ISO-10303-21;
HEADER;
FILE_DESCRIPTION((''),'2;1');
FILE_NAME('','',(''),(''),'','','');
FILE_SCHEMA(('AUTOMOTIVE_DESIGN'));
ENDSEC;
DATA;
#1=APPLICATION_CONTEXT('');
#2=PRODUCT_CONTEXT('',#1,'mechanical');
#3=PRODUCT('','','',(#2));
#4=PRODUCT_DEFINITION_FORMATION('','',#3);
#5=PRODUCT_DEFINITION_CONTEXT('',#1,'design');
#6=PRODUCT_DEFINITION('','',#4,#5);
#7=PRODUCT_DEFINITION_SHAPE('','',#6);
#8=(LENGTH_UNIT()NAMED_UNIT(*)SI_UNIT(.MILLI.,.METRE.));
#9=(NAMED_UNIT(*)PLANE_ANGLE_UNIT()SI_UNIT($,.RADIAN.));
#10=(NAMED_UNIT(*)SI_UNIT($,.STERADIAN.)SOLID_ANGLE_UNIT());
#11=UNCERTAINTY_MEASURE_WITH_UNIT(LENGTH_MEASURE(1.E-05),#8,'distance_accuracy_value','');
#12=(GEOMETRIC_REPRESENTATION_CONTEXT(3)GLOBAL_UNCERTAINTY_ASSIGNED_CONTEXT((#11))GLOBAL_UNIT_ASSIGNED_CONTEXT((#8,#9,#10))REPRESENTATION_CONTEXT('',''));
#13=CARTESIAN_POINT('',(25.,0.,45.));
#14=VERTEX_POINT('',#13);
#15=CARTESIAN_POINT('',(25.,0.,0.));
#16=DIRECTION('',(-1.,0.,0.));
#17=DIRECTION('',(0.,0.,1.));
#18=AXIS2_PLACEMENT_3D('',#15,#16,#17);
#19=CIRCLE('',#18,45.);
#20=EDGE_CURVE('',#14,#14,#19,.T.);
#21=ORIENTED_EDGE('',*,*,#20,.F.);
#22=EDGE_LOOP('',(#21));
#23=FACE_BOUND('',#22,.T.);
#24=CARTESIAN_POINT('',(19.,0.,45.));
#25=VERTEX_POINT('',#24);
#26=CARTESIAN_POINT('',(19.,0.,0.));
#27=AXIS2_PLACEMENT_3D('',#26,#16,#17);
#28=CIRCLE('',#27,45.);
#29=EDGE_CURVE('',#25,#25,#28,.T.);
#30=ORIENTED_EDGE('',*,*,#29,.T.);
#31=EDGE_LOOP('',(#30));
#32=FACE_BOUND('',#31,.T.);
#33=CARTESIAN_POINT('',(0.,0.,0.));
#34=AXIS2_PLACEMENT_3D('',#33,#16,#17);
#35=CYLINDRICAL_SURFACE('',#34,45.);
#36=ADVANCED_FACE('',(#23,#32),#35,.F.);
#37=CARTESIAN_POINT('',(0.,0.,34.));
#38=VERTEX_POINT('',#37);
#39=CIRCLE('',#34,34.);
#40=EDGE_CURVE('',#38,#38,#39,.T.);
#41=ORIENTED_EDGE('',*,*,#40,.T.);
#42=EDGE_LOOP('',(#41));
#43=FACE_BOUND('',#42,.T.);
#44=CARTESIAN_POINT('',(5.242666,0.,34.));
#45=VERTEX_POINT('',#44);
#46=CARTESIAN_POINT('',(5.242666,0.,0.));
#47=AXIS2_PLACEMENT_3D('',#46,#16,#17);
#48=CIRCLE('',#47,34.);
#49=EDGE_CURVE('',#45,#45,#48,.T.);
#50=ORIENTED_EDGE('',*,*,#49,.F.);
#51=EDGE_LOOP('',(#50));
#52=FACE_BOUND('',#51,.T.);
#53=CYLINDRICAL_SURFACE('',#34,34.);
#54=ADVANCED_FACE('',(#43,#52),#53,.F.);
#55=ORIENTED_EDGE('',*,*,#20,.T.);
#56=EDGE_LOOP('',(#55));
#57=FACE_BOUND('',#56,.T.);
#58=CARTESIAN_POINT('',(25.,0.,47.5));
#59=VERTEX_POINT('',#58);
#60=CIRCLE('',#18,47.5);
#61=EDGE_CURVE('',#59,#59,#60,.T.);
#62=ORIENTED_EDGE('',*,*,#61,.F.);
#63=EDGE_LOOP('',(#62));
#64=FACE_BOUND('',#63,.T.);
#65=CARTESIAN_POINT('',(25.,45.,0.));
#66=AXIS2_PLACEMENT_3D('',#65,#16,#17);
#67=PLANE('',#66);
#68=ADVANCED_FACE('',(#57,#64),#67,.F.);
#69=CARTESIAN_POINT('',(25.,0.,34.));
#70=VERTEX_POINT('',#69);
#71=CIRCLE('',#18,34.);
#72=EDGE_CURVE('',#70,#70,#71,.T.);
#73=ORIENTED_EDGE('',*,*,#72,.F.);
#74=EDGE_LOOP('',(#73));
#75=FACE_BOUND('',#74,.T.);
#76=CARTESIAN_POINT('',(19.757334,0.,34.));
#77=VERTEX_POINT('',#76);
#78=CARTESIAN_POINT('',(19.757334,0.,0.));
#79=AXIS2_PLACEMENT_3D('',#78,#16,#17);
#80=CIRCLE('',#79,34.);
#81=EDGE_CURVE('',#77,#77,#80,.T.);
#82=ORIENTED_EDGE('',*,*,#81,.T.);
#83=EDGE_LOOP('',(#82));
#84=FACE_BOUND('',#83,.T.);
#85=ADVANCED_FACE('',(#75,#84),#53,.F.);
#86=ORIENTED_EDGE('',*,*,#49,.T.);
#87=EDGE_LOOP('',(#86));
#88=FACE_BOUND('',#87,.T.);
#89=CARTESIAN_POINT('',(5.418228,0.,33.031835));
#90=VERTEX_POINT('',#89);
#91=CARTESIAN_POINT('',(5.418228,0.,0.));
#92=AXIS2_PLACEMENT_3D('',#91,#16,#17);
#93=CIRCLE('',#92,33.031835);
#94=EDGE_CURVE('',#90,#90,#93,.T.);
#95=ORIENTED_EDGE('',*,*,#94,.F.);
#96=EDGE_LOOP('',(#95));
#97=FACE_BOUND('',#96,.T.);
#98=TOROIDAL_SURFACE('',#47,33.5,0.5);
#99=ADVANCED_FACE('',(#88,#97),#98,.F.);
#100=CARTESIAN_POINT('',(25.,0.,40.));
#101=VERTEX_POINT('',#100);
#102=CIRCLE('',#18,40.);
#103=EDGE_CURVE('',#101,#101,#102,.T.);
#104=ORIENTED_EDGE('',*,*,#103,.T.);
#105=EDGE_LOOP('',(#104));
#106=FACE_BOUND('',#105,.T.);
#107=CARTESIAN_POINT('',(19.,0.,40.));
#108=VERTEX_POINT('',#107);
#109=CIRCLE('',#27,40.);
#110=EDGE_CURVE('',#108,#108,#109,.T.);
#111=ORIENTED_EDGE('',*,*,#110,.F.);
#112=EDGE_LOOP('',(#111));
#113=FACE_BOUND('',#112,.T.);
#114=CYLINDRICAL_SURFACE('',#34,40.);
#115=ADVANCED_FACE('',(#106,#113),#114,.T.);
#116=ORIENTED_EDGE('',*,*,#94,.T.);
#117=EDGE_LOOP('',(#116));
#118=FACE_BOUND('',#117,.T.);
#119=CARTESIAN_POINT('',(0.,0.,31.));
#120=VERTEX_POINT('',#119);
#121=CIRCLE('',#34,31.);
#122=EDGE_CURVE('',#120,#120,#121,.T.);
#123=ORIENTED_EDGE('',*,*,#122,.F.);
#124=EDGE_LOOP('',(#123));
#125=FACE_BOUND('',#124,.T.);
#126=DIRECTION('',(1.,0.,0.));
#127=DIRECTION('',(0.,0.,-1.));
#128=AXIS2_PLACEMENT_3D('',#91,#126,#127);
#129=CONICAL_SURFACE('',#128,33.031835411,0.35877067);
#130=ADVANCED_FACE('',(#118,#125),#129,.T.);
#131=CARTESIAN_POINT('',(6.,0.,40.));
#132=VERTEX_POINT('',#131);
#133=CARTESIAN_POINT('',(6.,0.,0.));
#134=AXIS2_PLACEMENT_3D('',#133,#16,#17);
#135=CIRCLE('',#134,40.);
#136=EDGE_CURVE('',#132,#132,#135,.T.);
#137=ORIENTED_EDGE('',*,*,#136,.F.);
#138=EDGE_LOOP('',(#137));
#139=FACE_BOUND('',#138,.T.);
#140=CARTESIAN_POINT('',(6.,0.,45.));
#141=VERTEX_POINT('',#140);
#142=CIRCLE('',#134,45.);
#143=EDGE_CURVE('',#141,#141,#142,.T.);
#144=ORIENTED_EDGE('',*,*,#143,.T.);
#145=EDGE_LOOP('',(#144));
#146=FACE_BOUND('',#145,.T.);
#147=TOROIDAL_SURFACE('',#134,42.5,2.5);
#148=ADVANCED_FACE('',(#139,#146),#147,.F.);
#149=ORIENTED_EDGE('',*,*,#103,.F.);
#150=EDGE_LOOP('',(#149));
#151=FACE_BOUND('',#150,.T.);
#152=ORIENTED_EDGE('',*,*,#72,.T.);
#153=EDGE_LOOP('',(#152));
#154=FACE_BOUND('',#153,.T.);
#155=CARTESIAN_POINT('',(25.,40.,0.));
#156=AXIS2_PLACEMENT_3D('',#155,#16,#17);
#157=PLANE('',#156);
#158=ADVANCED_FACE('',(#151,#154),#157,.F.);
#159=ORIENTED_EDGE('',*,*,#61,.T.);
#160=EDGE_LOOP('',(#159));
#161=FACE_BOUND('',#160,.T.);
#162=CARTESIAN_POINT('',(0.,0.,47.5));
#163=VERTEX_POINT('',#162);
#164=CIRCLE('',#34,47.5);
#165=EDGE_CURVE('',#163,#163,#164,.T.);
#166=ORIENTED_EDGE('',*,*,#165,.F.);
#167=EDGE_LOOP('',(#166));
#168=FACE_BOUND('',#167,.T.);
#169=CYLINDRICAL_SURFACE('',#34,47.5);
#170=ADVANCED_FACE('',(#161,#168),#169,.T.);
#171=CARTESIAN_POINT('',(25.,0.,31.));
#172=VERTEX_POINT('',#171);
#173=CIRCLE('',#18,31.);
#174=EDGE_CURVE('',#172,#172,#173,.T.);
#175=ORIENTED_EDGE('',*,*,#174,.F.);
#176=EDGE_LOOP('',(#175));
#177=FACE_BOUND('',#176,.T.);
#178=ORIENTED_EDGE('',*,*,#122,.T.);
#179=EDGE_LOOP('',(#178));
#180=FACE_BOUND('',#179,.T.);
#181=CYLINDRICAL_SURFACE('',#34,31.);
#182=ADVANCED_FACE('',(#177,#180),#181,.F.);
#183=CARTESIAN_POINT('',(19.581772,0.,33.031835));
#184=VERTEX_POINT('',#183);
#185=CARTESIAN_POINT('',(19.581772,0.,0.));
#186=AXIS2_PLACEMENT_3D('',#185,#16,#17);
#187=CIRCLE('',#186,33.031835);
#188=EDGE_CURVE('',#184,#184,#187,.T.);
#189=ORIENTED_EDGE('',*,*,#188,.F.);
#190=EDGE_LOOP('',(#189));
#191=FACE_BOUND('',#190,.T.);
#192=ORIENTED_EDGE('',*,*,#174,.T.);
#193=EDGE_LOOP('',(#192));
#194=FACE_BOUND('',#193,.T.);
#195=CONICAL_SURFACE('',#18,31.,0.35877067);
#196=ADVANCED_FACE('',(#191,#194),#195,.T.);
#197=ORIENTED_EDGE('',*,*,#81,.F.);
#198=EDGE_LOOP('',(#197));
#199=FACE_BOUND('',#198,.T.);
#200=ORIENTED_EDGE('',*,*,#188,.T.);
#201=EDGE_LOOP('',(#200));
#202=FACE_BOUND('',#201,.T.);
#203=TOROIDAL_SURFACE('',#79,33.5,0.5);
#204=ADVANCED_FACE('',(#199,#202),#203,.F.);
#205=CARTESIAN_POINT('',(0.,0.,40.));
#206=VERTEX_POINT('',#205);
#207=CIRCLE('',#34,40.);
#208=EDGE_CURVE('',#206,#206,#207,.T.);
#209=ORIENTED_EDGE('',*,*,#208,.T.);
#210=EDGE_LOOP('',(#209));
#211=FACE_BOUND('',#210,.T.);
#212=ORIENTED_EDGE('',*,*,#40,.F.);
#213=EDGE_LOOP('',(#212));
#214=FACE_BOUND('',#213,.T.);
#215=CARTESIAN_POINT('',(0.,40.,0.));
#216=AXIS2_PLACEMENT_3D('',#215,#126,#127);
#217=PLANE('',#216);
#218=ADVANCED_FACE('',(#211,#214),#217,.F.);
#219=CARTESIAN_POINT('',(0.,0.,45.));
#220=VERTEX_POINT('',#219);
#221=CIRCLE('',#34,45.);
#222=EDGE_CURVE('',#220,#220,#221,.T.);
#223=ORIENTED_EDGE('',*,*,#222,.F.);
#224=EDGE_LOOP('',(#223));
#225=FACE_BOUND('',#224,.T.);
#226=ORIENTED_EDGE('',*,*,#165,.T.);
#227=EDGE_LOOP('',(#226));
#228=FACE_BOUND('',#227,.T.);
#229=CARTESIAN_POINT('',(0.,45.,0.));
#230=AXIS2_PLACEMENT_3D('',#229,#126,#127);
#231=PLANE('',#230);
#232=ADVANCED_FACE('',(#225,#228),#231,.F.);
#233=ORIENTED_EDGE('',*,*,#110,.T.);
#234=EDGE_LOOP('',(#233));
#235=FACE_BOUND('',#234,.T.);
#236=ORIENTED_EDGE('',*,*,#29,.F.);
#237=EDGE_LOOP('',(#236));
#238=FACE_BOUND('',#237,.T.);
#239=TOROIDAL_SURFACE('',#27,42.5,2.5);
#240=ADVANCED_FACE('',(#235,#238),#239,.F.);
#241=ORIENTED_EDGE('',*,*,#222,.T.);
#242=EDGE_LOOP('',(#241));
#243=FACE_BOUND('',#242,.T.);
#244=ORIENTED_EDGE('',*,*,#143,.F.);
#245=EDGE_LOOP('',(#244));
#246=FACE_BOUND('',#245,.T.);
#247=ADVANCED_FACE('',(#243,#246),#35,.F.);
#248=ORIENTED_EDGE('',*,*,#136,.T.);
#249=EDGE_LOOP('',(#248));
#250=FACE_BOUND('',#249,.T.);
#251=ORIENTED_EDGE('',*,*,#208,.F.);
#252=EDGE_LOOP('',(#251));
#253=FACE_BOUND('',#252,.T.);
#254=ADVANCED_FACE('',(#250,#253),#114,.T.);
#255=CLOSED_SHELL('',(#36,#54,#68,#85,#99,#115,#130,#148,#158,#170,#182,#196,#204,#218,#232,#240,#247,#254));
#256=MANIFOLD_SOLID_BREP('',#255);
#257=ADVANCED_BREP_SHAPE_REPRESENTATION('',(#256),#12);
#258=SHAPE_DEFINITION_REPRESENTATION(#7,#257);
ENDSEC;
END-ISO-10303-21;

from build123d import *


with BuildPart() as part:
    # Esquisse1 → corps (revolve)
    with BuildSketch(Plane.XY, mode=Mode.PRIVATE) as corps_sk:
        with BuildLine():
            Line((0, 31), (25, 31))
            Line((25, 31), (19.581772237, 33.031835411))
            ThreePointArc((19.581772237, 33.031835411), (19.265357182, 33.589212403), (19.757333958, 34))
            Line((19.757333958, 34), (25, 34))
            Line((25, 34), (25, 40))
            Line((25, 40), (19, 40))
            ThreePointArc((19, 40), (16.5, 42.5), (19, 45))
            Line((19, 45), (25, 45))
            Line((25, 45), (25, 47.5))
            Line((25, 47.5), (0, 47.5))
            Line((0, 47.5), (0, 45))
            Line((0, 45), (6, 45))
            ThreePointArc((6, 45), (8.5, 42.5), (6, 40))
            Line((6, 40), (0, 40))
            Line((0, 40), (0, 34))
            Line((0, 34), (5.242666042, 34))
            ThreePointArc((5.242666042, 34), (5.734642818, 33.589212403), (5.418227763, 33.031835411))
            Line((5.418227763, 33.031835411), (0, 31))
        make_face()
    revolve(corps_sk.sketch.rotate(Axis((0, 0, 0), (1, 0, 0)), 90), axis=Axis((0, 0, 0), (1, 0, 0)))


solid = part.part
